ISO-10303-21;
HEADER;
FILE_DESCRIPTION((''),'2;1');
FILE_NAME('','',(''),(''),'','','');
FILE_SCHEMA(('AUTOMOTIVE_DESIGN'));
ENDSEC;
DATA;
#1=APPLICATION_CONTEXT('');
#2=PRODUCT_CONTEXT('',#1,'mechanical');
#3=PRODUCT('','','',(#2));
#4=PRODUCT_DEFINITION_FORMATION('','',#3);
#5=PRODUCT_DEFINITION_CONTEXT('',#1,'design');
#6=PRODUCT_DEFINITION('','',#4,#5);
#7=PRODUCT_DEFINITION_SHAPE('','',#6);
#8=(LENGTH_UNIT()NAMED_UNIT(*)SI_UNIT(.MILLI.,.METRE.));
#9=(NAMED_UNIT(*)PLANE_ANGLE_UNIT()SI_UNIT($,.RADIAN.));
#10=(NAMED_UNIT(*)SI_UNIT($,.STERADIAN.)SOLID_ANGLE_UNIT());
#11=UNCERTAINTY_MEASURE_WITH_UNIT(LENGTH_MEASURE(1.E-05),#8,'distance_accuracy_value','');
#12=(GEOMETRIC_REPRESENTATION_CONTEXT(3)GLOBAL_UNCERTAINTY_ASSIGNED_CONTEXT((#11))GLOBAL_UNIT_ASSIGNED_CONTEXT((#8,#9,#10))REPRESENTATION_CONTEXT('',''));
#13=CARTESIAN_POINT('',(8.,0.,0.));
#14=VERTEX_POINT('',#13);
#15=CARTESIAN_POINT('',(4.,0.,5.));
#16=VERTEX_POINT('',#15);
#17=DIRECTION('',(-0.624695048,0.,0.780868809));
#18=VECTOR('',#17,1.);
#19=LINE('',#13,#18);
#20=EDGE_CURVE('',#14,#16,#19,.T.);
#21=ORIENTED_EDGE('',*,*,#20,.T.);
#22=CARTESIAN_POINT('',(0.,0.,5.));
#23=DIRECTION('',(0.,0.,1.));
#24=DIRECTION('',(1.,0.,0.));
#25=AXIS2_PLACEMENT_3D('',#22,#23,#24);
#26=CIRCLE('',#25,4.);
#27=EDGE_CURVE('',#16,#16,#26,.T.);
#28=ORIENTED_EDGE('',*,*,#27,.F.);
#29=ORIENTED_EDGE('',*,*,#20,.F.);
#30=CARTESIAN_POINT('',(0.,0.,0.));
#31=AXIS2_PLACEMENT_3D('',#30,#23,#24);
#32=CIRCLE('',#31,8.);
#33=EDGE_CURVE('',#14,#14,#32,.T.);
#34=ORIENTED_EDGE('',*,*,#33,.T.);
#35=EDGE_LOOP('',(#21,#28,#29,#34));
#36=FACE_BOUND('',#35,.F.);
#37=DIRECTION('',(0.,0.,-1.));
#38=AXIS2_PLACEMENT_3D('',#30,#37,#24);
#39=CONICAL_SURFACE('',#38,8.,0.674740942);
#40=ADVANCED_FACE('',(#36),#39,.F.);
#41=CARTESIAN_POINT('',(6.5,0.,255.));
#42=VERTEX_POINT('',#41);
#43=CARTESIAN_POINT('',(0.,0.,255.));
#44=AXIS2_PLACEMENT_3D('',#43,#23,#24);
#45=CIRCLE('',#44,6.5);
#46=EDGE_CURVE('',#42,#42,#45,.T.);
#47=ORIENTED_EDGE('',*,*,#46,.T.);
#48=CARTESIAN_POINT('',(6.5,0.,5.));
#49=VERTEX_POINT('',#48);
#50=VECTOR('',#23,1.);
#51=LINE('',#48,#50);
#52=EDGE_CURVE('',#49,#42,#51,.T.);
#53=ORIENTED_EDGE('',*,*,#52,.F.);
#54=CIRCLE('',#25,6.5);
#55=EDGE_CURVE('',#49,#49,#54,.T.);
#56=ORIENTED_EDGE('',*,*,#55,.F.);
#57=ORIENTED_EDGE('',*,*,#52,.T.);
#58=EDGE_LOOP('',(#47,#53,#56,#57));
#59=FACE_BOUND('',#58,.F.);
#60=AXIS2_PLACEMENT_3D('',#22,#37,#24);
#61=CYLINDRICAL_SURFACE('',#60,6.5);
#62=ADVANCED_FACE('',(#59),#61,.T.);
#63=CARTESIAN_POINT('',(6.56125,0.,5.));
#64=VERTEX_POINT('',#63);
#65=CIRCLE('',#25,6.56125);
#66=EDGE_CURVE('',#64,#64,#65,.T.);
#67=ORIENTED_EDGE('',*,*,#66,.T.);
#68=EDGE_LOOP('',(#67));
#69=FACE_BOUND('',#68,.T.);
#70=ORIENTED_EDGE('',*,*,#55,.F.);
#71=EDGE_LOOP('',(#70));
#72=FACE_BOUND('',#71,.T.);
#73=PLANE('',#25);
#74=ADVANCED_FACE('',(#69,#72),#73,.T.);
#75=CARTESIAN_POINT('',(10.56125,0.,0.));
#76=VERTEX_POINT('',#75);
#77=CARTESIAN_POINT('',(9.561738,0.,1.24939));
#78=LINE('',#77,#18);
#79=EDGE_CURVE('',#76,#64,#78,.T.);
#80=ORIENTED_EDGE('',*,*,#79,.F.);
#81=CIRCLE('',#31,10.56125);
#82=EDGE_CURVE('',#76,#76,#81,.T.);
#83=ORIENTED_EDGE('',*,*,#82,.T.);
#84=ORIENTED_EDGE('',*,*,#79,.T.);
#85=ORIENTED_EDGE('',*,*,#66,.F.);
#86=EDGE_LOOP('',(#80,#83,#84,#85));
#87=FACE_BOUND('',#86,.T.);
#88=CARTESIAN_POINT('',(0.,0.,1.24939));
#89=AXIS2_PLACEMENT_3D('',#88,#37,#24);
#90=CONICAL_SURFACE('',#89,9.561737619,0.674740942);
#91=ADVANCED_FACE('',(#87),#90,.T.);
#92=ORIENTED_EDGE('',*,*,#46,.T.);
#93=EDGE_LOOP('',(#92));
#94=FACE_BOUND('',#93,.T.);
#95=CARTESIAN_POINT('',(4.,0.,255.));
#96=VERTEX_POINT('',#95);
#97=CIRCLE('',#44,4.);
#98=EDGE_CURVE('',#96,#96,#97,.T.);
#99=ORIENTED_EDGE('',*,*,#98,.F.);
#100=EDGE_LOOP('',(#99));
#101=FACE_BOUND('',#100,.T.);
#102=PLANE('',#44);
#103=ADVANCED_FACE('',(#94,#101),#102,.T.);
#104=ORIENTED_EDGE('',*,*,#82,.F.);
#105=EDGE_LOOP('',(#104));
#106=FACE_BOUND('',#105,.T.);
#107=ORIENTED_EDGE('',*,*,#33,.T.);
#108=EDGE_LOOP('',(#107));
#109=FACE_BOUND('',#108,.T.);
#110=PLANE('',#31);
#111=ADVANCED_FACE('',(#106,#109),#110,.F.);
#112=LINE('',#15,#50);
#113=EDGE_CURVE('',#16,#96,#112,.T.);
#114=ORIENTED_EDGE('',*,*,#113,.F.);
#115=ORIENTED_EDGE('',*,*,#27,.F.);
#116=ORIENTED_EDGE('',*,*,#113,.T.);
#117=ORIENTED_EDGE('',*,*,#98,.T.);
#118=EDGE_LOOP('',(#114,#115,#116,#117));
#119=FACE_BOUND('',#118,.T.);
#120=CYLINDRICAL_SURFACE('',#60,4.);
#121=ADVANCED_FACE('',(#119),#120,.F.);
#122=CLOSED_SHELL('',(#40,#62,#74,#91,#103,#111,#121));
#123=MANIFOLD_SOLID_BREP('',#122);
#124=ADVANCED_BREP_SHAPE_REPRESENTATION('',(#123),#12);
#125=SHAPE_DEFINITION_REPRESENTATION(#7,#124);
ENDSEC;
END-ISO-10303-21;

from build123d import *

# Parameters (mm, degrees)
THICKNESS_T   = 2
SKETCH001_R   = 6.5
SKETCH001_R_2 = 4
PAD_DEPTH     = 250


with BuildPart() as part:
    # Sketch → Revolution (revolve)
    with BuildSketch(Plane.XZ):
        Polygon((0, 0), (8, 0), (4, 5), (0, 5), align=None)
    revolve(axis=Axis((0, 0, 0), (0, 0, 1)))

    # Thickness
    thickness_openings = [part.faces().sort_by_distance(p)[0] for p in [
        (0, 0, 5),
        (0, 0, 0),
    ]]
    offset(amount=THICKNESS_T, openings=thickness_openings)

    # Sketch001 (on Face4 of Thickness) → Pad (new body)
    with BuildSketch(Plane.XY.offset(5)):
        Circle(SKETCH001_R)
        Circle(SKETCH001_R_2, mode=Mode.SUBTRACT)
    extrude(amount=PAD_DEPTH)


solid = part.part
